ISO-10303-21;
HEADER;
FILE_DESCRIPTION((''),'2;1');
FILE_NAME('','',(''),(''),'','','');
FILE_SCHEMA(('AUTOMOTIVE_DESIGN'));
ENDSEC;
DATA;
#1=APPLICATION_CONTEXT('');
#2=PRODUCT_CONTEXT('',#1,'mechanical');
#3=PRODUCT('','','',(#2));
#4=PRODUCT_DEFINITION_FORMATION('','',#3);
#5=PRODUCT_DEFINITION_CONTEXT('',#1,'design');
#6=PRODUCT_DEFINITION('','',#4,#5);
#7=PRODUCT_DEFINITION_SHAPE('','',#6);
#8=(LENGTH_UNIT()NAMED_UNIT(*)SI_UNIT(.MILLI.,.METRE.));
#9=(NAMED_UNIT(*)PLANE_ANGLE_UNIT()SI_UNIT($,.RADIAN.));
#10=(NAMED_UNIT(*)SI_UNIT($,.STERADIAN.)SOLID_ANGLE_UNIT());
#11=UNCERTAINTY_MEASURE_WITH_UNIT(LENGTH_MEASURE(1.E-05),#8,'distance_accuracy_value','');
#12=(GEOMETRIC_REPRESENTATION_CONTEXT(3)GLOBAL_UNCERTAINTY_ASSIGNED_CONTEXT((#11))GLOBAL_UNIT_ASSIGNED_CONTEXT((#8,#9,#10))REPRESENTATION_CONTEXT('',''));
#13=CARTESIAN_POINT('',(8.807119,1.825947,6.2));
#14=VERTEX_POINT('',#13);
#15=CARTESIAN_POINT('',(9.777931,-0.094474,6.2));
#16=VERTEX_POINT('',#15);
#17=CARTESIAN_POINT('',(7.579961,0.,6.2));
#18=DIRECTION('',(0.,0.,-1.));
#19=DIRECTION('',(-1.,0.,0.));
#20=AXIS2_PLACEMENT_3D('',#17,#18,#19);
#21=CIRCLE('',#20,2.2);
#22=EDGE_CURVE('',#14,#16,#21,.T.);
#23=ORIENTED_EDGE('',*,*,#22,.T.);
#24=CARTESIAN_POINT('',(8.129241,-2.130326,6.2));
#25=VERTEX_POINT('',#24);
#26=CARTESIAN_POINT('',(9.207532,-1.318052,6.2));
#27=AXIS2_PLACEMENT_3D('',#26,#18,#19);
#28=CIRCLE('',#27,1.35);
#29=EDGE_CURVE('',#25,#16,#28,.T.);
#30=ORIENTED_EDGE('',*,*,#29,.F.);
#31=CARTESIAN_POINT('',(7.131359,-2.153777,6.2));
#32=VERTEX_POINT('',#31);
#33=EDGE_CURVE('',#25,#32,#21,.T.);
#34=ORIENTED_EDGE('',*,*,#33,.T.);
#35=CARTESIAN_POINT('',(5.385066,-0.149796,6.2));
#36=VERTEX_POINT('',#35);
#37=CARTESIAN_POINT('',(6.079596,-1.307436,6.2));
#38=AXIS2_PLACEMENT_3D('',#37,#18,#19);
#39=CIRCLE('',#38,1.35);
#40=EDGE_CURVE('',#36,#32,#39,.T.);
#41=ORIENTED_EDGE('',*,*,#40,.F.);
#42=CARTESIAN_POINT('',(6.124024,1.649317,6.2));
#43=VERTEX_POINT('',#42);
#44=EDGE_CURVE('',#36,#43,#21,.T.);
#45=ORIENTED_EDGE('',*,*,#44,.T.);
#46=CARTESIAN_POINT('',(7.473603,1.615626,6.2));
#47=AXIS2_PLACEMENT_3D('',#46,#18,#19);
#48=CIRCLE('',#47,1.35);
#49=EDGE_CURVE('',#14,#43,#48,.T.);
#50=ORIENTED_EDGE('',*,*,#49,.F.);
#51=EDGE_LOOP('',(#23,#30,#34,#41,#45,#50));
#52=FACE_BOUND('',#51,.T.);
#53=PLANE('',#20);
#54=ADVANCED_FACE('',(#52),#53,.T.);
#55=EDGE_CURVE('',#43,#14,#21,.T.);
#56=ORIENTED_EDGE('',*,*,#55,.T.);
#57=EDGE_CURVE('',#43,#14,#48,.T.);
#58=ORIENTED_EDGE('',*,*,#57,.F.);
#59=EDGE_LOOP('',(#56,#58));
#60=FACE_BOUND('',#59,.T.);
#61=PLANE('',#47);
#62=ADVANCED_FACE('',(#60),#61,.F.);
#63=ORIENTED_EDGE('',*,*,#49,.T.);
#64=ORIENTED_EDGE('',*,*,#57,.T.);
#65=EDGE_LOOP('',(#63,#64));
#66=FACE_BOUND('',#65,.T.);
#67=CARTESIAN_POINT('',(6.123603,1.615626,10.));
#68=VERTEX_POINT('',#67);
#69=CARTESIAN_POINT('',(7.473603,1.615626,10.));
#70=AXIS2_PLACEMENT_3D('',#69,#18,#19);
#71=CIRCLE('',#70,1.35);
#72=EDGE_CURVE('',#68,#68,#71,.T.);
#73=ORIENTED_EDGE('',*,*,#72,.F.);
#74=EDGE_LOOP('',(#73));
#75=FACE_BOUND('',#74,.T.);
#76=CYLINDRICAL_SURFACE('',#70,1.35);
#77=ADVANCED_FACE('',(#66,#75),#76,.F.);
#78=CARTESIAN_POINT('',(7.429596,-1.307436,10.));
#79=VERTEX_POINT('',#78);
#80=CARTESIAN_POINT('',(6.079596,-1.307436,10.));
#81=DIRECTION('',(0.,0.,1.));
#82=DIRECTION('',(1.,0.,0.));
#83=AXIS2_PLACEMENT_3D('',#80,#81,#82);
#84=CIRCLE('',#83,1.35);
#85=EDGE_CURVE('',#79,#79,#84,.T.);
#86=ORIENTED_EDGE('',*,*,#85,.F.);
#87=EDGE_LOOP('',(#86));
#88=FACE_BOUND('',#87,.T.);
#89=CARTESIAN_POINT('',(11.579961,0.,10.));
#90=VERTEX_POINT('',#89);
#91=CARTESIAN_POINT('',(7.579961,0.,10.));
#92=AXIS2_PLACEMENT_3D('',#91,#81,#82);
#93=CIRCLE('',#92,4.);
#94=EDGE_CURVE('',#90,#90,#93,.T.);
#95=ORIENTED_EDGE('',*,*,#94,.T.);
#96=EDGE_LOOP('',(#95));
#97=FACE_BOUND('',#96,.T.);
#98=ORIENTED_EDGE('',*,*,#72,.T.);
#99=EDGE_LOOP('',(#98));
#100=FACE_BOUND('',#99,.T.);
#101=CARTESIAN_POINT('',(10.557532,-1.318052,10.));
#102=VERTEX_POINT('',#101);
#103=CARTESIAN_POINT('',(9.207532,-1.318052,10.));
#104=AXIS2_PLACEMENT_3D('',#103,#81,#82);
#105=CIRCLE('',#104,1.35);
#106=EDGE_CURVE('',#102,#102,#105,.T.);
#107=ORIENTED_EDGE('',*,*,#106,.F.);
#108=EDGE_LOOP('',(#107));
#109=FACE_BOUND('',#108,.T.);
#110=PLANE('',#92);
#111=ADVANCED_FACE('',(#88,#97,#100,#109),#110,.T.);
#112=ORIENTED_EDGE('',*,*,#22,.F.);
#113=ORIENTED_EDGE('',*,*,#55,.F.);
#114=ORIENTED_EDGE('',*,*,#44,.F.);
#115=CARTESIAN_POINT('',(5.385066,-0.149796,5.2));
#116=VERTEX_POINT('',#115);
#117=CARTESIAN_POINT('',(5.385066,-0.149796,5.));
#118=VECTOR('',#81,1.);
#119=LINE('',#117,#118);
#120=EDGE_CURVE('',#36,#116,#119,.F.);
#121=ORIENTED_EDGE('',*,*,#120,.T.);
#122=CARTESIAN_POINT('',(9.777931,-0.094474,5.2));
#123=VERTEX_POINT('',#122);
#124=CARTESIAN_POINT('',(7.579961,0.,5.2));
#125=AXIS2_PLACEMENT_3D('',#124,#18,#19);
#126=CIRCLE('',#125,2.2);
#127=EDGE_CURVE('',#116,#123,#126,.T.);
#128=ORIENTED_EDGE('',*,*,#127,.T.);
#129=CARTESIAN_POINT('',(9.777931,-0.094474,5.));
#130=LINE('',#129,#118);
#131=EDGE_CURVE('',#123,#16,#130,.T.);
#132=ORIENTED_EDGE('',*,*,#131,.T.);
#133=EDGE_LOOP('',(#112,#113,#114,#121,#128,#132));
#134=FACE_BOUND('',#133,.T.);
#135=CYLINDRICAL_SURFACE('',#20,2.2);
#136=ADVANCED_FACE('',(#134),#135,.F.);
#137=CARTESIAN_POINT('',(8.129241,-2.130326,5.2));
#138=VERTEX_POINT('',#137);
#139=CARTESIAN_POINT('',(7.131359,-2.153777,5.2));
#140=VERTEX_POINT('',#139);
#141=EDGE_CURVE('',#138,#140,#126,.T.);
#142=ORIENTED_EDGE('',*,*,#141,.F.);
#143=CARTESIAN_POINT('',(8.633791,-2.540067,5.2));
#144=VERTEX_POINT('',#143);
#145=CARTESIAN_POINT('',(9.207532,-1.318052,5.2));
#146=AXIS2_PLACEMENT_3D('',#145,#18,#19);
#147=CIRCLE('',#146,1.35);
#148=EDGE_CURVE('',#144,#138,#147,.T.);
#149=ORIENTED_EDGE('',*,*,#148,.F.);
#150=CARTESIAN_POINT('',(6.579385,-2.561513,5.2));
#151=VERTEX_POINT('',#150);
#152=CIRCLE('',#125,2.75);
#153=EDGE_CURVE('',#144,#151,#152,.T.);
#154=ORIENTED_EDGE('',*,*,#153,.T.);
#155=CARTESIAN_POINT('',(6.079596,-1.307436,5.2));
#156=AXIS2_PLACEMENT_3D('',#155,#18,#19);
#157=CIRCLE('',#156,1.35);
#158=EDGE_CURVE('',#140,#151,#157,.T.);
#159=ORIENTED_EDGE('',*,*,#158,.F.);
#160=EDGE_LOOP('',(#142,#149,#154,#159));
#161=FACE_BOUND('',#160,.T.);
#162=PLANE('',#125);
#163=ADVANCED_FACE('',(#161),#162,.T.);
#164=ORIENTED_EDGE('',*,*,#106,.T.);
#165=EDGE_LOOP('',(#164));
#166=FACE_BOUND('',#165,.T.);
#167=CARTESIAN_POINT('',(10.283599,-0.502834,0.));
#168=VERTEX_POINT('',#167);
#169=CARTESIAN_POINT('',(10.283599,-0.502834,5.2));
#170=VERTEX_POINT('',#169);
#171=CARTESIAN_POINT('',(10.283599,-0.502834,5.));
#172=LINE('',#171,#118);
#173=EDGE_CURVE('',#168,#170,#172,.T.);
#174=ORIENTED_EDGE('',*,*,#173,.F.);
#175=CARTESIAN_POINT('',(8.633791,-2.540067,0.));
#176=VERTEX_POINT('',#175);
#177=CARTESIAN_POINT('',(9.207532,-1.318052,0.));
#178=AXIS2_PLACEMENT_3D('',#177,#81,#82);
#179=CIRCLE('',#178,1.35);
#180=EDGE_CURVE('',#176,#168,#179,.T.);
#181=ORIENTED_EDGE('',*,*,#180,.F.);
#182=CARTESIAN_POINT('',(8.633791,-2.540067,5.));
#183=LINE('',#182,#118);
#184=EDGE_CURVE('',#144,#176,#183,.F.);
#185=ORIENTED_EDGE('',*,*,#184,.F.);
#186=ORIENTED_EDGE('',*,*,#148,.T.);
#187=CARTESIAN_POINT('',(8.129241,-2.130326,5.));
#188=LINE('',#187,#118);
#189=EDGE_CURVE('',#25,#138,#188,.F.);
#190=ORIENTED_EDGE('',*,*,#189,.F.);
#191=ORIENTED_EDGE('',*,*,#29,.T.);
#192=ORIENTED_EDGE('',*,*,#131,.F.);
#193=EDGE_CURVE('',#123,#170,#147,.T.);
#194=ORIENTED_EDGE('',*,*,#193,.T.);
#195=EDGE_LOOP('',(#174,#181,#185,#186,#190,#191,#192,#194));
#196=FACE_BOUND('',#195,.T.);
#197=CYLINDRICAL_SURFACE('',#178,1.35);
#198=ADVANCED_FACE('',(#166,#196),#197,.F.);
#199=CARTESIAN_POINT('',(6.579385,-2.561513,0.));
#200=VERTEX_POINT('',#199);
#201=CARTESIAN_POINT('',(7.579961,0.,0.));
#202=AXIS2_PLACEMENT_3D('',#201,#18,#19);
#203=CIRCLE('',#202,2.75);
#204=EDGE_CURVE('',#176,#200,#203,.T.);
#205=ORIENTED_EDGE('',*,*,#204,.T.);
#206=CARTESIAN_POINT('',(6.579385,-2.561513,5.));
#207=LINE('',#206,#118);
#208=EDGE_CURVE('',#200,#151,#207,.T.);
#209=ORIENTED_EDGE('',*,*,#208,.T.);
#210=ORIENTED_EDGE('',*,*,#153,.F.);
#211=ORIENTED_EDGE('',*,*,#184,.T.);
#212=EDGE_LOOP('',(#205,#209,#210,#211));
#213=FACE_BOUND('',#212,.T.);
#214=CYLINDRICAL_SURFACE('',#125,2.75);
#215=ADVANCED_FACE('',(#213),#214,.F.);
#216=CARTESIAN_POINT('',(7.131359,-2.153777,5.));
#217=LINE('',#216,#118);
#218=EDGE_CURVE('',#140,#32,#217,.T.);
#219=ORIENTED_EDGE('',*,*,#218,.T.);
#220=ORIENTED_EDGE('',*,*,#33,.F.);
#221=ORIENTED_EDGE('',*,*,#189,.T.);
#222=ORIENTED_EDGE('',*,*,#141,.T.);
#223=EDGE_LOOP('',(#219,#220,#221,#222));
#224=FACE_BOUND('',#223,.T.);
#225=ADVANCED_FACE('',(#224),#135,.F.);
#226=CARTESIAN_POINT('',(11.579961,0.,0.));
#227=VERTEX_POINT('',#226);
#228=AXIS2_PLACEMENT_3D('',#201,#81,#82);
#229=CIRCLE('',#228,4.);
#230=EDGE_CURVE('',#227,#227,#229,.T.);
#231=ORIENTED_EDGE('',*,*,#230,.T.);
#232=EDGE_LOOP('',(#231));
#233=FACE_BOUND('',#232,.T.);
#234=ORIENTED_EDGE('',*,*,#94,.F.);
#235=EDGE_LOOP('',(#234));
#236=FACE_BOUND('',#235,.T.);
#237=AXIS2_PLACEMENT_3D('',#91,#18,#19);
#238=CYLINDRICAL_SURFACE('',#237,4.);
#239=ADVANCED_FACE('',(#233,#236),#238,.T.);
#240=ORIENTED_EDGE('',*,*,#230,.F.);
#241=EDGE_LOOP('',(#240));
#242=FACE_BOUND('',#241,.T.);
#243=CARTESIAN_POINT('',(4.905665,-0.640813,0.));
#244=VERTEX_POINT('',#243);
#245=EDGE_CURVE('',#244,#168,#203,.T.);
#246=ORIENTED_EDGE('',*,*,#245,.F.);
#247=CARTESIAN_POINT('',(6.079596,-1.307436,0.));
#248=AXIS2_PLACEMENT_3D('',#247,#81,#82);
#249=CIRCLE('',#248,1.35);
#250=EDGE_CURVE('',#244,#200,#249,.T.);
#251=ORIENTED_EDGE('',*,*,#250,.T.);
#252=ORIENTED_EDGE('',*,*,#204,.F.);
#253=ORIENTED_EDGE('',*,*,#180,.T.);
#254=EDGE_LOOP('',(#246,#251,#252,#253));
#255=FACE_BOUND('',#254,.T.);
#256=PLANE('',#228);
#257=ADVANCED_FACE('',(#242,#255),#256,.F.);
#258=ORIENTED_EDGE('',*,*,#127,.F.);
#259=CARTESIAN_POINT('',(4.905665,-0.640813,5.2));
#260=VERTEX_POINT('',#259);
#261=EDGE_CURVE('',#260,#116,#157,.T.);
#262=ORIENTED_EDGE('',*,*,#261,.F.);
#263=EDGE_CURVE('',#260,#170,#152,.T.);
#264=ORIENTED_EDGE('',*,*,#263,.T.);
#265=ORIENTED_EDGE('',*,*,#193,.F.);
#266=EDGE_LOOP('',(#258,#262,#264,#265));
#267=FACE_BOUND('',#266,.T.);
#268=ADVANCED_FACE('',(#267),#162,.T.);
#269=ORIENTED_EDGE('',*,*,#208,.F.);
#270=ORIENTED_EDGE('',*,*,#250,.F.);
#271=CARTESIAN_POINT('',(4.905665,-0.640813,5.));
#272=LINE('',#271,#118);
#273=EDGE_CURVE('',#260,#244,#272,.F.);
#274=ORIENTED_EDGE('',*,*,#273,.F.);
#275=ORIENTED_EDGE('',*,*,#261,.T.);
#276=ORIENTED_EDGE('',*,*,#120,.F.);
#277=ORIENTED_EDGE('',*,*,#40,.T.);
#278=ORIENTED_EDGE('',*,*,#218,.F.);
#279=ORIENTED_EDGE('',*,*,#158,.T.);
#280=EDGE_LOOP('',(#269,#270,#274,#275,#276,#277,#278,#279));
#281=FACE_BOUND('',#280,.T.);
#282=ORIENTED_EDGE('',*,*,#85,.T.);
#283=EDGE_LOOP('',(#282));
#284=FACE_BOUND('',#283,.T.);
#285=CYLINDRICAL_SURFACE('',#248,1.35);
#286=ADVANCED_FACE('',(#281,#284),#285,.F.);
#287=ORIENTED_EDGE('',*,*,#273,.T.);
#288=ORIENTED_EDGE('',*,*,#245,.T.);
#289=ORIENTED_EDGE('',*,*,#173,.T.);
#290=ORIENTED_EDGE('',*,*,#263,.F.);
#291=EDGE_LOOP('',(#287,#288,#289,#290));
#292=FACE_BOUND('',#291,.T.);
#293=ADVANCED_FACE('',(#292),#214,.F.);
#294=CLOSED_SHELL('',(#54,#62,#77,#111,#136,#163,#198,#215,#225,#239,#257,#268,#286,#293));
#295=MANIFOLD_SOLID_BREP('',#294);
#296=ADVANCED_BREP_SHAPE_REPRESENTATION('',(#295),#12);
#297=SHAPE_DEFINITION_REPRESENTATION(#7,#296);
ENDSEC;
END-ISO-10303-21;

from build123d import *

# Parameters (mm, degrees)
SKETCH5_R           = 4
BOSS_EXTRUDE2_DEPTH = 10
SKETCH6_R           = 2.75
CUT_EXTRUDE4_DEPTH  = 5.2
SKETCH7_R           = 2.2
CUT_EXTRUDE5_DEPTH  = 1
SKETCH9_R           = 1.35
CUT_EXTRUDE6_DEPTH  = 15.623631801
SKETCH10_R          = 1.35
CUT_EXTRUDE7_DEPTH  = 16.81440762
SKETCH11_R          = 1.35
CUT_EXTRUDE8_DEPTH  = 17.02035176


with BuildPart() as part:
    # Sketch5 → Boss-Extrude2 (new body)
    with BuildSketch(Plane.XY):
        with Locations((7.579960637, 0)):
            Circle(SKETCH5_R)
    extrude(amount=BOSS_EXTRUDE2_DEPTH)

    # Sketch6 → Cut-Extrude4 (cut)
    with BuildSketch(Plane(origin=(0, 0, 0), x_dir=(-1, 0, 0), z_dir=(0, 0, -1))):
        with Locations((-7.579960637, 0)):
            Circle(SKETCH6_R)
    extrude(amount=-CUT_EXTRUDE4_DEPTH, mode=Mode.SUBTRACT)

    # Sketch7 → Cut-Extrude5 (cut)
    with BuildSketch(Plane(origin=(0, 0, 5.2), x_dir=(-1, 0, 0), z_dir=(0, 0, -1))):
        with Locations((-7.579960637, 0)):
            Circle(SKETCH7_R)
    extrude(amount=-CUT_EXTRUDE5_DEPTH, mode=Mode.SUBTRACT)

    # Sketch9 → Cut-Extrude6 (cut, through all)
    with BuildSketch(Plane(origin=(-0.808601663, 0.683388857, 6.2), x_dir=(-1, 0, 0), z_dir=(0, 0, -1))):
        with Locations((-8.28220496, 0.932237564)):
            Circle(SKETCH9_R)
    extrude(amount=-CUT_EXTRUDE6_DEPTH, mode=Mode.SUBTRACT)

    # Sketch10 → Cut-Extrude7 (cut, through all)
    with BuildSketch(Plane.XY.offset(10)):
        with Locations((6.079595945, -1.307435574)):
            Circle(SKETCH10_R)
    extrude(amount=-CUT_EXTRUDE7_DEPTH, mode=Mode.SUBTRACT)

    # Sketch11 → Cut-Extrude8 (cut, through all)
    with BuildSketch(Plane(origin=(0, 0.749334917, 10), x_dir=(1, 0, 0), z_dir=(0, 0, 1))):
        with Locations((9.207532027, -2.067387295)):
            Circle(SKETCH11_R)
    extrude(amount=-CUT_EXTRUDE8_DEPTH, mode=Mode.SUBTRACT)


solid = part.part
